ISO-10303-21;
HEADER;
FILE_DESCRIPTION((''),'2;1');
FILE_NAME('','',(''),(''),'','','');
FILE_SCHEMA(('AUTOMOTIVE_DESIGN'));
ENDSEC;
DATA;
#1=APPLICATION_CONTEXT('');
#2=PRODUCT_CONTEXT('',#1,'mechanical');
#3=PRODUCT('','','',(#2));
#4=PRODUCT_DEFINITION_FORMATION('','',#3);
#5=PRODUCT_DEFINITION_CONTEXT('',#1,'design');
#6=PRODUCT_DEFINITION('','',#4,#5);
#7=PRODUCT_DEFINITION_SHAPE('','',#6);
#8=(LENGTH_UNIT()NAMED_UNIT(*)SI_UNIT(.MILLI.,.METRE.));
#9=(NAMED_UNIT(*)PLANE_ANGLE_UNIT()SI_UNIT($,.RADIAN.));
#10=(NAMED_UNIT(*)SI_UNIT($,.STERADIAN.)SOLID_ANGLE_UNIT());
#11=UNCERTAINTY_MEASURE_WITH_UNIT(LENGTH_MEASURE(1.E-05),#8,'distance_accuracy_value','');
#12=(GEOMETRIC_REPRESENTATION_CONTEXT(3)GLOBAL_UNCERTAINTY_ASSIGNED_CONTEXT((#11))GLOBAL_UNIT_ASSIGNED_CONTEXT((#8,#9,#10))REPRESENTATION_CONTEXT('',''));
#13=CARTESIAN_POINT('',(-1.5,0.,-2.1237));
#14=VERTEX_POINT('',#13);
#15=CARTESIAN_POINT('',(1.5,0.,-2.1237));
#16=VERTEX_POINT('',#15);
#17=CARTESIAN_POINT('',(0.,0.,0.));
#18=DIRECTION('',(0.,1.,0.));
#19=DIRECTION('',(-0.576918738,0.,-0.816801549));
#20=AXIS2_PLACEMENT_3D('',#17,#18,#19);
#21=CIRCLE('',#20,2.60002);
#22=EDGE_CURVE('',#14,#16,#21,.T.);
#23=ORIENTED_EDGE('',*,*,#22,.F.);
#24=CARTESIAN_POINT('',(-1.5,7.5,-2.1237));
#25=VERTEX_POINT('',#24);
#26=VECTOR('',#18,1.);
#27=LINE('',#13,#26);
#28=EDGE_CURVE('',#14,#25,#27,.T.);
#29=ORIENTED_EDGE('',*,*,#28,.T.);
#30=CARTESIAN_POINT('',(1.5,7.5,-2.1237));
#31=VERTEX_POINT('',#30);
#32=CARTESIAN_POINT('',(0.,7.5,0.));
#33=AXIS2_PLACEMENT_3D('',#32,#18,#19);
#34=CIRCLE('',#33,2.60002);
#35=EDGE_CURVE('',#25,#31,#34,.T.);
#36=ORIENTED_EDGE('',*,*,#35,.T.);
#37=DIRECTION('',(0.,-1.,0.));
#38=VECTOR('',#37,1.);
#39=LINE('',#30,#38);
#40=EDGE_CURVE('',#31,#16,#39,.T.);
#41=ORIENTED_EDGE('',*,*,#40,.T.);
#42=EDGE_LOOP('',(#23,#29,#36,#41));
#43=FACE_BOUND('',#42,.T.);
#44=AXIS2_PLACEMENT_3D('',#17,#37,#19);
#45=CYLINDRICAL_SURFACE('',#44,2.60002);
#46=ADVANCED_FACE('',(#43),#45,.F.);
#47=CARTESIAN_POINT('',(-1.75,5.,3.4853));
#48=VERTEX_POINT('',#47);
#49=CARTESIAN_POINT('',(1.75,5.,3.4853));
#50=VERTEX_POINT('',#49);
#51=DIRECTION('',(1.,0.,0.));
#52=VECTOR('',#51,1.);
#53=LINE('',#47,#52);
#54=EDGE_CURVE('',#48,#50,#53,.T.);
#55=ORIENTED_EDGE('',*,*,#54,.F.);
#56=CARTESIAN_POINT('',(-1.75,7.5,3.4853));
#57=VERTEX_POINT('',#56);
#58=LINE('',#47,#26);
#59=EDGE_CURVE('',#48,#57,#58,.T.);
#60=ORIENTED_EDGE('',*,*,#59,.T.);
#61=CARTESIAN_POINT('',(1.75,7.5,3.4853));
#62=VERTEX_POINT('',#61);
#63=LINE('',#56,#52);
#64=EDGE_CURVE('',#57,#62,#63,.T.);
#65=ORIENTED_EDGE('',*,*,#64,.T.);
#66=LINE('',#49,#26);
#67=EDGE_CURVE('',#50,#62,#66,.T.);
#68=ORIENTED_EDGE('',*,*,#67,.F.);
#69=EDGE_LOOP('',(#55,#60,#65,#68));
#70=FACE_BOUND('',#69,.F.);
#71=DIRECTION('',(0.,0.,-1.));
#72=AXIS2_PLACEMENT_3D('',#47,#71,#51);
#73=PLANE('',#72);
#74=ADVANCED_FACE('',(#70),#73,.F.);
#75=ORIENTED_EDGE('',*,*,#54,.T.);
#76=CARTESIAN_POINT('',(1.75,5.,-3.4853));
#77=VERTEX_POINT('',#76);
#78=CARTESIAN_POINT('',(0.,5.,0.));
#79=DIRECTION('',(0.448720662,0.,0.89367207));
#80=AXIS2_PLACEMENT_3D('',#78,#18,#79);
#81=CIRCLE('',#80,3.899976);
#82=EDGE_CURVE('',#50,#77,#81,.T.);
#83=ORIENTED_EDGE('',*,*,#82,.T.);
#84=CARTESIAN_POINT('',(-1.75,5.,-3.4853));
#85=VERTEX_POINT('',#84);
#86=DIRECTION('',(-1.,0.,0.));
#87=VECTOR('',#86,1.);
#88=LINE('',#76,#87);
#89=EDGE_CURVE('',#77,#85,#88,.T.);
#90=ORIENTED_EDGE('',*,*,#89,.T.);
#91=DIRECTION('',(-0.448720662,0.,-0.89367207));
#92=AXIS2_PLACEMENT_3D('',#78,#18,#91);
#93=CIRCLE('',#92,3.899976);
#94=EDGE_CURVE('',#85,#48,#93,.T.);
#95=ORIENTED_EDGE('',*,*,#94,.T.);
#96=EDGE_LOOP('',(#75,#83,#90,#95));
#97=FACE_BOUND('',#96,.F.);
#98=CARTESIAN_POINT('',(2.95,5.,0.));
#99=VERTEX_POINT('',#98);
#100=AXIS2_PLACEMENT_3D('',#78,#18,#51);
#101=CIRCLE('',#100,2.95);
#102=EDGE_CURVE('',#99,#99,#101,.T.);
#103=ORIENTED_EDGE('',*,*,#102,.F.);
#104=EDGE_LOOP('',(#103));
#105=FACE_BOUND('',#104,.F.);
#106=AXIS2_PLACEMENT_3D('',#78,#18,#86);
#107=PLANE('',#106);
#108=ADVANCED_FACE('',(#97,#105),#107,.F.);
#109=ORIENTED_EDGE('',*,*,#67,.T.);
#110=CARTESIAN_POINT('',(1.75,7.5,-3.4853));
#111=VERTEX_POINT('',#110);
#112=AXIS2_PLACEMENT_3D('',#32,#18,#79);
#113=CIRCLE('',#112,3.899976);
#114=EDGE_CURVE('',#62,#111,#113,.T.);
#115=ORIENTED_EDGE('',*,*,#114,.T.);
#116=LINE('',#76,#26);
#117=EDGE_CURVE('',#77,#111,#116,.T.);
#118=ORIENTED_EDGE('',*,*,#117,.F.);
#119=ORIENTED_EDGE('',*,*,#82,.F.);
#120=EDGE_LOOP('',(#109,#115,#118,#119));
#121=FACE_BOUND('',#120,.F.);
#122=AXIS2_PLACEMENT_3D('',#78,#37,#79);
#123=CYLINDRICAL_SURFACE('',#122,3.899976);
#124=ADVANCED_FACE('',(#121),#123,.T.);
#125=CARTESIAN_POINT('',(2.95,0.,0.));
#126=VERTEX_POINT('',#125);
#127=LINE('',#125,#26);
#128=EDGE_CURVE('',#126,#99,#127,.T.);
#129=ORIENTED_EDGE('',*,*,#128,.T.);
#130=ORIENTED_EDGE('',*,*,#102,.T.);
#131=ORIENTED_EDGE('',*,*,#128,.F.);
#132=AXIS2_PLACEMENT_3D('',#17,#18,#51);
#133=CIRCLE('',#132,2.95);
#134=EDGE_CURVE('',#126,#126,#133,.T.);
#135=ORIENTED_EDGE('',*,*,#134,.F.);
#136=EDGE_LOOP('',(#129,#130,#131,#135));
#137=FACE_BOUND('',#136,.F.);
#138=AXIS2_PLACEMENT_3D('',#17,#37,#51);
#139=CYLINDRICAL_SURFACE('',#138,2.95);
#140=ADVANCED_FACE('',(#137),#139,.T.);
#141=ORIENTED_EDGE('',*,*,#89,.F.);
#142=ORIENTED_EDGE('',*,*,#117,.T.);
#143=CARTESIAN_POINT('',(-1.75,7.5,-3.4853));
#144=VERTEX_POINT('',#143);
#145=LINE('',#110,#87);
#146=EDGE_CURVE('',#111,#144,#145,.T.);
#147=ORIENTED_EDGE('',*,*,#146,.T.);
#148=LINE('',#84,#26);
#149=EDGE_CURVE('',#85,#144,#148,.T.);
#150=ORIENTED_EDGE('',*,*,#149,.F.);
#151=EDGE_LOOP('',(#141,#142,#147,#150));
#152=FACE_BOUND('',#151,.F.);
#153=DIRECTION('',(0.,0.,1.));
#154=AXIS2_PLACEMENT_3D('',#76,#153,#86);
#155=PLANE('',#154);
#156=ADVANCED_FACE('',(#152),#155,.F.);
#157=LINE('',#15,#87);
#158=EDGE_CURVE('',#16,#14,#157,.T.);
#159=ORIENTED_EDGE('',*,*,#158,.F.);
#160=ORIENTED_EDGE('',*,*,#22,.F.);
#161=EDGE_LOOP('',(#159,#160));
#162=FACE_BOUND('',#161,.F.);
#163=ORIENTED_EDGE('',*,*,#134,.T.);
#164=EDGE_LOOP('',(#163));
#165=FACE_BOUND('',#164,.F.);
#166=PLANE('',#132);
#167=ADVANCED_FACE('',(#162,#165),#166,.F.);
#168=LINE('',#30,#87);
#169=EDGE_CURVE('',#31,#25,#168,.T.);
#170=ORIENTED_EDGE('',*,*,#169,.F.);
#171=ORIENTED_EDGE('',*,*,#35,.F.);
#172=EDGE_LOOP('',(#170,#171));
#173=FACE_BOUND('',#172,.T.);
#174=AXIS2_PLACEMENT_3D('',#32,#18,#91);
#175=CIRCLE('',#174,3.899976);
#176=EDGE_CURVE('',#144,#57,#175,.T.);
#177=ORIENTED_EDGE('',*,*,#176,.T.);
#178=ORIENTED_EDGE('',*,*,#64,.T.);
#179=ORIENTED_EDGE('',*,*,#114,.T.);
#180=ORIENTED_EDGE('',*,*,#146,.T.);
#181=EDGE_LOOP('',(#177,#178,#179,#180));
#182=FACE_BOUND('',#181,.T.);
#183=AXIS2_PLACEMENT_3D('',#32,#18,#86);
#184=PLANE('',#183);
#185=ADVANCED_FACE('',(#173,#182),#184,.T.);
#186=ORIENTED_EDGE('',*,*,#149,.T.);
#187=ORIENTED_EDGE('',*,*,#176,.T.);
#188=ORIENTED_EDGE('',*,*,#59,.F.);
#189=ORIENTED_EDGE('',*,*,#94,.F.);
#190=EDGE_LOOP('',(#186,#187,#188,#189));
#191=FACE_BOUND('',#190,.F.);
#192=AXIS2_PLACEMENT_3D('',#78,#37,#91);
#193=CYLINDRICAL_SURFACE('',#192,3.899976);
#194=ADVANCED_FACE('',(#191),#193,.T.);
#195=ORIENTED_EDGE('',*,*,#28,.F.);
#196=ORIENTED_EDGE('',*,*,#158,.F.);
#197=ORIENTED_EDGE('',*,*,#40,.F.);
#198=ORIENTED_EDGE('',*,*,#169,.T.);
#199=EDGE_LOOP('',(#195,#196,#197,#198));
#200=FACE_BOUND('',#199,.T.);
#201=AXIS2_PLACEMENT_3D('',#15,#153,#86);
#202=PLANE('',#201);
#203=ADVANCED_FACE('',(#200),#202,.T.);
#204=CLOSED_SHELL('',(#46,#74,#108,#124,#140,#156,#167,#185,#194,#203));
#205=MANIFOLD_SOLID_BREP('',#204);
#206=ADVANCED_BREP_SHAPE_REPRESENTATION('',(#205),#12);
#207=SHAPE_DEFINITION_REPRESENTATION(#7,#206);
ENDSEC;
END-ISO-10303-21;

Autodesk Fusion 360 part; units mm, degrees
sketch "Sketch1" plane through (0, 0, 0) normal (0, 1, 0) x (1, 0, 0)
  arc A0 (-1.5, 2.1237) -> (1.5, 2.1237) centre (0, 0) ccw
  line L0 (1.5, 2.1237) -> (-1.5, 2.1237)
  circle A1 centre (0, 0) radius 2.95
  dimension "d2" = 3
  dimension "d3" = 2.6
  dimension "d4" = 5.9
extrude "Extrude1" add sketch "Sketch1" along normal blind 5
sketch "Sketch2" plane through (0, 5, 0) normal (0, 1, 0) x (-1, 0, 0)
  arc A0 (1.5, -2.1237) -> (-1.5, -2.1237) centre (0, 0) ccw
  line L0 (-1.5, -2.1237) -> (1.5, -2.1237)
  arc A1 (1.75, -3.4853) -> (1.75, 3.4853) centre (0, 0) ccw
  arc A2 (-1.75, 3.4853) -> (-1.75, -3.4853) centre (0, 0) ccw
  line L1 (-1.75, -3.4853) -> (1.75, -3.4853)
  line L2 (1.75, 3.4853) -> (-1.75, 3.4853)
  dimension "d7" = 3
  dimension "d8" = 2.6
  dimension "d9" = 3.9
  dimension "d10" = 3.9
  dimension "d11" = 3.5
  dimension "d12" = 3.5
extrude "Extrude2" add sketch "Sketch2" along normal blind 2.5
